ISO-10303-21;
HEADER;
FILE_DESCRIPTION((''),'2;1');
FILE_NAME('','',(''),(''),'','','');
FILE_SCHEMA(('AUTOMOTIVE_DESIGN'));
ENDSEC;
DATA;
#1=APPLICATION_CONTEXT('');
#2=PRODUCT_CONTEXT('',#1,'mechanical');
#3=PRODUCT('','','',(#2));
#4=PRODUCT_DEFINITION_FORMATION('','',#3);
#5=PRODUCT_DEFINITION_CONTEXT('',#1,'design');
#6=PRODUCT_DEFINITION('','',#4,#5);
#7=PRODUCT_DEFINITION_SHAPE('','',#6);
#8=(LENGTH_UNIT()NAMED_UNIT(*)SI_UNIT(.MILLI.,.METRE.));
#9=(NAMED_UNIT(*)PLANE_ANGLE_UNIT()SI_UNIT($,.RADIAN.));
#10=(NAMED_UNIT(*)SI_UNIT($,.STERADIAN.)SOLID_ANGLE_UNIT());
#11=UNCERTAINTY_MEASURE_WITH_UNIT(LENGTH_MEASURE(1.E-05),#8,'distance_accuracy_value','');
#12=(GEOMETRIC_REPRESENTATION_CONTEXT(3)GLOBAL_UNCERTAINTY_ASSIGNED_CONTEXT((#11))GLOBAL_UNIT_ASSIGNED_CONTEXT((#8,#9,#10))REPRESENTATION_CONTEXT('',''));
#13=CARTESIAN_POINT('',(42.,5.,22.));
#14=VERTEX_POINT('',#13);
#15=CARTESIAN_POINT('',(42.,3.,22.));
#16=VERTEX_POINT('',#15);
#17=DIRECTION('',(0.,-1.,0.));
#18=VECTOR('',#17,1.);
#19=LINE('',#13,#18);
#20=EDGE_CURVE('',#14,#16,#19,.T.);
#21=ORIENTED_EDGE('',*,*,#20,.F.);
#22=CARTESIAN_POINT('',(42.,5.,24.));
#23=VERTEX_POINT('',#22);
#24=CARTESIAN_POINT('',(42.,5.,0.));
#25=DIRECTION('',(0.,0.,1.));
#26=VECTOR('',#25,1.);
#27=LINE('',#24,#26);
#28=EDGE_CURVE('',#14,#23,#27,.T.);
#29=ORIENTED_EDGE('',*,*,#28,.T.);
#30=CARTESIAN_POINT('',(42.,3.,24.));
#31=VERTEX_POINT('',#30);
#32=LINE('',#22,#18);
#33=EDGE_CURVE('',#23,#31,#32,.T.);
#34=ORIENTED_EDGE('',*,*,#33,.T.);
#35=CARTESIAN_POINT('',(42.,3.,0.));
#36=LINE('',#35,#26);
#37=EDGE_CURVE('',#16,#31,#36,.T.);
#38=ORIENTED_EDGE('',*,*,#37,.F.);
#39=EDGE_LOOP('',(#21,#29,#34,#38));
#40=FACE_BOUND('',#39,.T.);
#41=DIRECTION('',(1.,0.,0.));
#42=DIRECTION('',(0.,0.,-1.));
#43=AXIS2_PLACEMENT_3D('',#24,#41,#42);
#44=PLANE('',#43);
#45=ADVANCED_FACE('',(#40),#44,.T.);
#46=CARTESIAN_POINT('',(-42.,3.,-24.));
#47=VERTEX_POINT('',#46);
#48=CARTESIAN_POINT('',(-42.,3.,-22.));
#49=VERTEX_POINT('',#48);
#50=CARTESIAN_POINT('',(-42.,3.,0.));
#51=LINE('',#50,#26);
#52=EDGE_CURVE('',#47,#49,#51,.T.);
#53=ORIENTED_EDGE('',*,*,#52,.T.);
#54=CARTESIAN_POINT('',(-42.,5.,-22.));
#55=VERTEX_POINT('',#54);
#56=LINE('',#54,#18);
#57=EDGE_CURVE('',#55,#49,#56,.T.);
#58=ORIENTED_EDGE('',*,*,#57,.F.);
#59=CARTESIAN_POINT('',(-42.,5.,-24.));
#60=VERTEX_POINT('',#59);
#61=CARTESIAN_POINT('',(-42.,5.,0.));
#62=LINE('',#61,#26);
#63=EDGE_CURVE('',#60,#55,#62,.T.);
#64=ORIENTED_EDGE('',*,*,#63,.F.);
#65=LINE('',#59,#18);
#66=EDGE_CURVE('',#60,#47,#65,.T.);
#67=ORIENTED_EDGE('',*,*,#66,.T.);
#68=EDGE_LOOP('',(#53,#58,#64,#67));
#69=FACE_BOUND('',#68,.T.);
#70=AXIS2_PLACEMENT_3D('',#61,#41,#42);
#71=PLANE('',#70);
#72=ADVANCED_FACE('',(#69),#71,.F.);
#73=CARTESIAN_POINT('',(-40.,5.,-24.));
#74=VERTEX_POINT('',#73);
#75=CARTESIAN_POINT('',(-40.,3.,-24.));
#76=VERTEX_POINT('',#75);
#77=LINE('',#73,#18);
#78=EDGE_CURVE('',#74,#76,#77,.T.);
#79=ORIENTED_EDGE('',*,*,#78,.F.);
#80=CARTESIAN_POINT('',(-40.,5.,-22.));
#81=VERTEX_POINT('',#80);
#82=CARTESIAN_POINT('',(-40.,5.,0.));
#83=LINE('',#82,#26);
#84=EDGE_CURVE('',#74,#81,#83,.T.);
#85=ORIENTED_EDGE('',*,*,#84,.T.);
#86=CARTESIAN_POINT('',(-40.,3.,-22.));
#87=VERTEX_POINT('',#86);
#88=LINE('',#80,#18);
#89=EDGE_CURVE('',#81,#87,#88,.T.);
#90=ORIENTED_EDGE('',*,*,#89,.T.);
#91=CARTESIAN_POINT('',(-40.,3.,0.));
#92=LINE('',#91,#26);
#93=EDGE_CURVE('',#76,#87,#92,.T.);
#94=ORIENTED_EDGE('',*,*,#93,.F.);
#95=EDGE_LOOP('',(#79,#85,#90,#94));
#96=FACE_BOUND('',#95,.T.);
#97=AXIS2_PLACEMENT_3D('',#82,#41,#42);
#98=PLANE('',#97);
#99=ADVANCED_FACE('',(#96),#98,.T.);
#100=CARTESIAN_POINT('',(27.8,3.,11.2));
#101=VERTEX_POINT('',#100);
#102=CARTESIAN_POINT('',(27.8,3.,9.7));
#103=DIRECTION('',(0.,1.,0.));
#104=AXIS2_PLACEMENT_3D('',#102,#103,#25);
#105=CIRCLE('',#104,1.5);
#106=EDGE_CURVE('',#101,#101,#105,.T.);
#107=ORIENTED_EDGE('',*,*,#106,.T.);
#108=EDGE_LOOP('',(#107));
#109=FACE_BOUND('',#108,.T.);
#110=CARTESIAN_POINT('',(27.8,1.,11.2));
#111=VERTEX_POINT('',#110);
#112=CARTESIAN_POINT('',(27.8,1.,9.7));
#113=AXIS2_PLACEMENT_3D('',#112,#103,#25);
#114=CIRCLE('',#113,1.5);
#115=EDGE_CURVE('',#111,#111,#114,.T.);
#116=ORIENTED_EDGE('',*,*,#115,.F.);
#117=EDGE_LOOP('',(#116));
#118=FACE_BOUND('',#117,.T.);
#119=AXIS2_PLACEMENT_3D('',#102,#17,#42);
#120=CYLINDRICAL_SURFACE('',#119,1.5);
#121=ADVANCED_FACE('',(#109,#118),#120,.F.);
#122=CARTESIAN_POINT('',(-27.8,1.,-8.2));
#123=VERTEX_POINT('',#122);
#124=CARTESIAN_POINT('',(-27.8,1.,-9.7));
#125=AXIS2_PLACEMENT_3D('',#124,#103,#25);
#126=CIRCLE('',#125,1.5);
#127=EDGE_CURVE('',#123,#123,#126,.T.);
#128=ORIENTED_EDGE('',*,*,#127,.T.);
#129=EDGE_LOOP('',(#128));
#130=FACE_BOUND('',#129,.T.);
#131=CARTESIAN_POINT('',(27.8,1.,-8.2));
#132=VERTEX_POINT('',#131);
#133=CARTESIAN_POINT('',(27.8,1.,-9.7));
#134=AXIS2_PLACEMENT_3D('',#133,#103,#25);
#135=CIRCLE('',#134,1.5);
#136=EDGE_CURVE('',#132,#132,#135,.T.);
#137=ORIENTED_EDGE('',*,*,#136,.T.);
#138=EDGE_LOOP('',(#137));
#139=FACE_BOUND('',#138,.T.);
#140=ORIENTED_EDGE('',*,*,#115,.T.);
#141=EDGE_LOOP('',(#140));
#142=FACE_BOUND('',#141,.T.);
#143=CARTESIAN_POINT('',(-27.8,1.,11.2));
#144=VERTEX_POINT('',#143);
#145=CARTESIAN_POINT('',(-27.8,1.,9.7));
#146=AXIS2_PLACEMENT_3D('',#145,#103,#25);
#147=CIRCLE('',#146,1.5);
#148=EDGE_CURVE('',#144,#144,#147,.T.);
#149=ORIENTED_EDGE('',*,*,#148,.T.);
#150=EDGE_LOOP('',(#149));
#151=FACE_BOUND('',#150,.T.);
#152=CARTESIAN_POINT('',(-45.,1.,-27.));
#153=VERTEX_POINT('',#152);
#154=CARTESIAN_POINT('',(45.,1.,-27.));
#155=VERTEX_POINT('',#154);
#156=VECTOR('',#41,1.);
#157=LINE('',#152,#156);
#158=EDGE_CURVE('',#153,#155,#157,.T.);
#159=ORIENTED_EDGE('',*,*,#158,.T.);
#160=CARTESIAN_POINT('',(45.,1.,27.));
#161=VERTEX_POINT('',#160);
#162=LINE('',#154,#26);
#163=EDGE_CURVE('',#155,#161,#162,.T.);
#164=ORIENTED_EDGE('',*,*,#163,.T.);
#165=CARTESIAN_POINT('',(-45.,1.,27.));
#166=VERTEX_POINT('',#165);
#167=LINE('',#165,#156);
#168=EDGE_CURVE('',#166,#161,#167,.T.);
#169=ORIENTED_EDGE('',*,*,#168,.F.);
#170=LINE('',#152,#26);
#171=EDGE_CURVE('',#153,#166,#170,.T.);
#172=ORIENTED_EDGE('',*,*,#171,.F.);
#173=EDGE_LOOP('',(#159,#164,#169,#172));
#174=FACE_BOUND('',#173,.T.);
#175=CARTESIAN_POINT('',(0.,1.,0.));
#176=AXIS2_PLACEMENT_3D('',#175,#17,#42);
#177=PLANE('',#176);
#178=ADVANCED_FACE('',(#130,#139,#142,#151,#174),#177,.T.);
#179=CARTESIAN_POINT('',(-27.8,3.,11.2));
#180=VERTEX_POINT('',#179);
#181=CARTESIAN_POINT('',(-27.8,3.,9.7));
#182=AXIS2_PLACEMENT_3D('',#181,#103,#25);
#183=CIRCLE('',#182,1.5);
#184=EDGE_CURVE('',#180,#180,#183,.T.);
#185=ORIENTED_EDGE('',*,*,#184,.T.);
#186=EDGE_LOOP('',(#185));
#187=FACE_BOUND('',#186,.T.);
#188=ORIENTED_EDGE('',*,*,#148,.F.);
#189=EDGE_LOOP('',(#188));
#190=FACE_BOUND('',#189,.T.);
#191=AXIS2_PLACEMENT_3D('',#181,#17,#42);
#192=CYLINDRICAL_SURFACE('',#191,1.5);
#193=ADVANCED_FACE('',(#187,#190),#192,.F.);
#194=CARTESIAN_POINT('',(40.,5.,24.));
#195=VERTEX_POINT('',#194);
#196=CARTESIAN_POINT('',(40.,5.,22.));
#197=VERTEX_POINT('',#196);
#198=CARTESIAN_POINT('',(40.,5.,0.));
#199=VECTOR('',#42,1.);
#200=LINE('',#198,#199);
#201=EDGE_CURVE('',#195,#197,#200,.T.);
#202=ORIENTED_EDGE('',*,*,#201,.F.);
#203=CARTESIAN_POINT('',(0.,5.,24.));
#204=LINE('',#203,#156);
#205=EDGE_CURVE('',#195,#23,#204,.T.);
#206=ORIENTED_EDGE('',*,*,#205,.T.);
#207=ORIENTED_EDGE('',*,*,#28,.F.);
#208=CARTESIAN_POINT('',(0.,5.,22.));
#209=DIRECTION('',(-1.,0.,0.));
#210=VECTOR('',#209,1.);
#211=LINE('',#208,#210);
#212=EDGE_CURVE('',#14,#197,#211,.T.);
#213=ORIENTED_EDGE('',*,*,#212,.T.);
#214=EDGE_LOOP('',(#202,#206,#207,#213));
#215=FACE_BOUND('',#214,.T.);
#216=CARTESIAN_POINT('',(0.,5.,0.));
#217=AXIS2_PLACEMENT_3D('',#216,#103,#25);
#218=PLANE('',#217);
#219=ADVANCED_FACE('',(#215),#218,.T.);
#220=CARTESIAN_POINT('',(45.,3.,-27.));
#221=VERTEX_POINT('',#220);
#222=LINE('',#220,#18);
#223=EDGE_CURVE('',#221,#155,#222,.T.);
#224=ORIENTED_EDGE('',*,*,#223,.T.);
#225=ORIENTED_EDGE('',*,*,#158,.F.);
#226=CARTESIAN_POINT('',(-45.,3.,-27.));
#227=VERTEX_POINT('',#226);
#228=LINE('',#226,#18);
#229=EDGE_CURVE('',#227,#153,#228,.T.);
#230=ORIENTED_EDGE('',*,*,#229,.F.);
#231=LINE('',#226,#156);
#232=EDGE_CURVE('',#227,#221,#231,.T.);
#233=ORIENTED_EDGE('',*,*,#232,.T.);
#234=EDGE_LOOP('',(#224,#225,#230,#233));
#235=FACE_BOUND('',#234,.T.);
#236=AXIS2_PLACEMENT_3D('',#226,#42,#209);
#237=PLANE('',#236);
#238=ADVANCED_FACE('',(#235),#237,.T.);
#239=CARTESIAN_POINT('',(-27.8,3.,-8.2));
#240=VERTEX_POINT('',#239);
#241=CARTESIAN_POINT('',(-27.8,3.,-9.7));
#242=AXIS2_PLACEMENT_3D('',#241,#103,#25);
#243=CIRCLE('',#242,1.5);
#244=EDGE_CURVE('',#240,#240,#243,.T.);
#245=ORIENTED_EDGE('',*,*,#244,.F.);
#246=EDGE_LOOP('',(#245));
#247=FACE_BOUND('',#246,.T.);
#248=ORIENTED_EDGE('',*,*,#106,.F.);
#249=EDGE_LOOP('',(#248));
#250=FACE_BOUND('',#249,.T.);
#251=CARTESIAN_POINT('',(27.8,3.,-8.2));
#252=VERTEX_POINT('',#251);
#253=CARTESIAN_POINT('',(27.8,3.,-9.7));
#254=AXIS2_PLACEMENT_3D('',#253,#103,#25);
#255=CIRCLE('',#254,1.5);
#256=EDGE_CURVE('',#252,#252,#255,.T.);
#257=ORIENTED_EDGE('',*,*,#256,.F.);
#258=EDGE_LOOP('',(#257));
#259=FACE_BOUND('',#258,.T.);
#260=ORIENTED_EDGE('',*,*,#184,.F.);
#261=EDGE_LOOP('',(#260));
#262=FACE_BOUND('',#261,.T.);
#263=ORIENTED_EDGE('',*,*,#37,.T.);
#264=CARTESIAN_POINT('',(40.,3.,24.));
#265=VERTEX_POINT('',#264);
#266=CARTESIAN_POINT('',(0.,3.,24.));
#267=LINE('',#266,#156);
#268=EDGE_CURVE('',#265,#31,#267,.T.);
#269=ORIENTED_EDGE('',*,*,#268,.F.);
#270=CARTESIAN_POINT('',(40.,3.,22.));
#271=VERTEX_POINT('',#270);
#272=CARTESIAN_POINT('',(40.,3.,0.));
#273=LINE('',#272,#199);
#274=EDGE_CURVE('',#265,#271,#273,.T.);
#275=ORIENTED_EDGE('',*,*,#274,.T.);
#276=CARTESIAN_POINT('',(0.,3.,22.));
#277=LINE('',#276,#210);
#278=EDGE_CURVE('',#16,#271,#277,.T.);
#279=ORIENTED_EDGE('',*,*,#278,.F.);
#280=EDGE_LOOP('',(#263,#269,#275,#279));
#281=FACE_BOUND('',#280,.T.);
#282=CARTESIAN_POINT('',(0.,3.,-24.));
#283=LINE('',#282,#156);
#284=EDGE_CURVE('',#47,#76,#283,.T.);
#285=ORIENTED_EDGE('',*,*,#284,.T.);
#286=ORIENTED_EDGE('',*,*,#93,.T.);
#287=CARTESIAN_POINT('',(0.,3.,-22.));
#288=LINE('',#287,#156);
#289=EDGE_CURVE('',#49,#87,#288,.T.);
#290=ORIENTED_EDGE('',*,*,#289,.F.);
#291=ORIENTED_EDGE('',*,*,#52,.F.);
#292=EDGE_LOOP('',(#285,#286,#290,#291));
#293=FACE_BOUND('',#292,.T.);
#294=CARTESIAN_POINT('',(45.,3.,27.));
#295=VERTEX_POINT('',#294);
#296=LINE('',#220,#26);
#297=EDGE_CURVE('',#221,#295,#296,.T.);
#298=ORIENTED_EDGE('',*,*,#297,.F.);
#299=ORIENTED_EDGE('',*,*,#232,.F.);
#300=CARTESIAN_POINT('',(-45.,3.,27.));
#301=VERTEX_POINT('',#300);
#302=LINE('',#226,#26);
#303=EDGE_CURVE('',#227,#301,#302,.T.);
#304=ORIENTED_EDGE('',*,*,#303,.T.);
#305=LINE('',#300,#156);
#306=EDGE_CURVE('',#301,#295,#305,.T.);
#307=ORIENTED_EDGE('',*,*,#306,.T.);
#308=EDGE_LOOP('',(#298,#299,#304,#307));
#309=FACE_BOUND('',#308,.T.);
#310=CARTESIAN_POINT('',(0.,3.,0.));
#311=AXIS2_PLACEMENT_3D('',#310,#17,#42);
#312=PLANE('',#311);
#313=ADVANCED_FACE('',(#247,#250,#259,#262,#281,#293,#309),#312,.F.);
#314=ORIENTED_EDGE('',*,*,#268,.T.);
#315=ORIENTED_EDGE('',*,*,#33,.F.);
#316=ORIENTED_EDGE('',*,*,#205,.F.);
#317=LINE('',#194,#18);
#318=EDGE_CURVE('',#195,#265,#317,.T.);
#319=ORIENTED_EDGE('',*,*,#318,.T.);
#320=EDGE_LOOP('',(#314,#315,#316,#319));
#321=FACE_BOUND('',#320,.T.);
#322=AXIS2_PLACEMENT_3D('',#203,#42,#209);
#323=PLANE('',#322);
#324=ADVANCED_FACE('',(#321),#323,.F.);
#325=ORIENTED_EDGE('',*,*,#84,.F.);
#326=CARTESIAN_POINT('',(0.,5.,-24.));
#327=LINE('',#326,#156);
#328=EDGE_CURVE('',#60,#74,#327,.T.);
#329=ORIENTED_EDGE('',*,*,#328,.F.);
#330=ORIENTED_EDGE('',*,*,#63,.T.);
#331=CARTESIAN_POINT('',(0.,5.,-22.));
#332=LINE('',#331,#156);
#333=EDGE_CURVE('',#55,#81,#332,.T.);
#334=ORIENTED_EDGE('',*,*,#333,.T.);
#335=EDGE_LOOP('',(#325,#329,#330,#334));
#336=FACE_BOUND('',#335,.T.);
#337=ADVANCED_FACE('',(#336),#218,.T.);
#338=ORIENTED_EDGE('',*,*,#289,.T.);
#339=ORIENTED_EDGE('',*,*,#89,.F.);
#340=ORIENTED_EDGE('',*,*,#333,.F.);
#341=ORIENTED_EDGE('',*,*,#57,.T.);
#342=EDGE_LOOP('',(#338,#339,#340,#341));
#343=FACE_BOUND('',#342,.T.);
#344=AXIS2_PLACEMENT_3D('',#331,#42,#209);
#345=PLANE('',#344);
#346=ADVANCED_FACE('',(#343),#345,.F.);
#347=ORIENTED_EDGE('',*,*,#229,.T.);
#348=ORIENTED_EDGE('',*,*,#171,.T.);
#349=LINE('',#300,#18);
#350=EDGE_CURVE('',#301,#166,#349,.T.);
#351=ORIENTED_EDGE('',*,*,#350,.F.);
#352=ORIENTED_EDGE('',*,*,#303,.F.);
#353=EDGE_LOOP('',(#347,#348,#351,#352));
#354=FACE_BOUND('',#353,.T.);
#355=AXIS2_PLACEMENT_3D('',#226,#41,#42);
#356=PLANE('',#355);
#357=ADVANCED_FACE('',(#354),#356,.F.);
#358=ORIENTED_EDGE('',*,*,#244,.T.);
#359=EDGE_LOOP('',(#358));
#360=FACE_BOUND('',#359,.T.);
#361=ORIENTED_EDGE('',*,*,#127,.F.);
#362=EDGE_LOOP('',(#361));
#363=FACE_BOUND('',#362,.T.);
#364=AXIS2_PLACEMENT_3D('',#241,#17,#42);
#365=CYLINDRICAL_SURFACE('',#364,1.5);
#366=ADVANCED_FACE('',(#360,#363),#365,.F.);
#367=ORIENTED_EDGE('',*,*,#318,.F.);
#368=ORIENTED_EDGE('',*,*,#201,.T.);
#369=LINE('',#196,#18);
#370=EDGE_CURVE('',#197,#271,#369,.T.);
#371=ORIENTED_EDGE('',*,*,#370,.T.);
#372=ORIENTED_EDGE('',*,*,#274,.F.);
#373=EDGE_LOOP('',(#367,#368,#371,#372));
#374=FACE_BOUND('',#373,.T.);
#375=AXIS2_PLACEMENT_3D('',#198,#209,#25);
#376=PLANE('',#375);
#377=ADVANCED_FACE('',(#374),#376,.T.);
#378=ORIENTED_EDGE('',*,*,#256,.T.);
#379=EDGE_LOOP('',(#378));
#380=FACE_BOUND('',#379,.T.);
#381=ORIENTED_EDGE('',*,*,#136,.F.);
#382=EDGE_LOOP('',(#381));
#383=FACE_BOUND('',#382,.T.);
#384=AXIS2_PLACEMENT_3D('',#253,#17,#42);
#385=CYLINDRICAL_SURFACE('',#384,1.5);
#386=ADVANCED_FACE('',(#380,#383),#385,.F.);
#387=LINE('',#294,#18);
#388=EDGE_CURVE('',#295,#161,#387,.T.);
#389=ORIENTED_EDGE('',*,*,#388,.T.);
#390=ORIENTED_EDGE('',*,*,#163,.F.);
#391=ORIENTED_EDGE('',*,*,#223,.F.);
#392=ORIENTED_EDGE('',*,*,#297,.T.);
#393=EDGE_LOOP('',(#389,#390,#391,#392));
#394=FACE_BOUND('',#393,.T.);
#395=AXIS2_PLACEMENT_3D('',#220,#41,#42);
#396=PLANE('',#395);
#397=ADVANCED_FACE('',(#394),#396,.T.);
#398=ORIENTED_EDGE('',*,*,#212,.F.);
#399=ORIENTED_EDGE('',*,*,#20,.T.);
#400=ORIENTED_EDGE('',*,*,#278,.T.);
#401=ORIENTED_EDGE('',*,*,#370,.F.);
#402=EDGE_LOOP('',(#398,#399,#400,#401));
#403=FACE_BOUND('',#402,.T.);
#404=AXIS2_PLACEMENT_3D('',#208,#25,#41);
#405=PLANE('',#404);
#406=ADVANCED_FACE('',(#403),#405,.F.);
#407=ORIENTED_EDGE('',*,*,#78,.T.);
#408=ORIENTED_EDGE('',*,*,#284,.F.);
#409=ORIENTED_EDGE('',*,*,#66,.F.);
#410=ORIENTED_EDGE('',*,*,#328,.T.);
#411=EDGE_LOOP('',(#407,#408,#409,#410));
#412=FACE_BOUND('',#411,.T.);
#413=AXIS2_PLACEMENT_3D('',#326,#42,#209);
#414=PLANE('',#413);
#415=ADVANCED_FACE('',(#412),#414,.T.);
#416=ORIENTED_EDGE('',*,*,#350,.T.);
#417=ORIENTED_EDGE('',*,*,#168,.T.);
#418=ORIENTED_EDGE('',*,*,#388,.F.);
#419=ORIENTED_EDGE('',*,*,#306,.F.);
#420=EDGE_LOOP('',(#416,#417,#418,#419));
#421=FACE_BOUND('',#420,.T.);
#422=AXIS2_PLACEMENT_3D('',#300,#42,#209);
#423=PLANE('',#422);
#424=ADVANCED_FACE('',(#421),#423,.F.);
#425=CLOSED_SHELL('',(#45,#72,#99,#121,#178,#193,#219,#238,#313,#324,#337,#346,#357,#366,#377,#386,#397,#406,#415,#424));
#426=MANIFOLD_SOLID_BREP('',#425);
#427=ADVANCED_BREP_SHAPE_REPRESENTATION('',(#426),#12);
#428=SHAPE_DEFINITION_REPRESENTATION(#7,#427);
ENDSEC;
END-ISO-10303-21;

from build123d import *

# Parameters (mm, degrees)
SKETCH2_W           = 90
SKETCH2_H           = 54
SKETCH2_R           = 1.5
BOSS_EXTRUDE1_DEPTH = 2
SKETCH2_4_W         = 2
SKETCH2_4_H         = 2
BOSS_EXTRUDE3_DEPTH = 4


with BuildPart() as part:
    # Sketch2 → Boss-Extrude1 (new body)
    with BuildSketch(Plane(origin=(0, 1, 0), x_dir=(1, 0, 0), z_dir=(0, 1, 0))):
        Rectangle(SKETCH2_W, SKETCH2_H)
        with Locations((-27.8, 9.7)):
            Circle(SKETCH2_R, mode=Mode.SUBTRACT)
        with Locations((-27.8, -9.7)):
            Circle(SKETCH2_R, mode=Mode.SUBTRACT)
        with Locations((27.8, -9.7)):
            Circle(SKETCH2_R, mode=Mode.SUBTRACT)
        with Locations((27.8, 9.7)):
            Circle(SKETCH2_R, mode=Mode.SUBTRACT)
    extrude(amount=BOSS_EXTRUDE1_DEPTH)

    # Sketch2<4> → Boss-Extrude3 (add)
    with BuildSketch(Plane(origin=(0, 1, 0), x_dir=(1, 0, 0), z_dir=(0, 1, 0))):
        with Locations((41, -23)):
            Rectangle(SKETCH2_4_W, SKETCH2_4_H)
        with Locations((-41, 23)):
            Rectangle(SKETCH2_4_W, SKETCH2_4_H)
    extrude(amount=BOSS_EXTRUDE3_DEPTH)


solid = part.part
